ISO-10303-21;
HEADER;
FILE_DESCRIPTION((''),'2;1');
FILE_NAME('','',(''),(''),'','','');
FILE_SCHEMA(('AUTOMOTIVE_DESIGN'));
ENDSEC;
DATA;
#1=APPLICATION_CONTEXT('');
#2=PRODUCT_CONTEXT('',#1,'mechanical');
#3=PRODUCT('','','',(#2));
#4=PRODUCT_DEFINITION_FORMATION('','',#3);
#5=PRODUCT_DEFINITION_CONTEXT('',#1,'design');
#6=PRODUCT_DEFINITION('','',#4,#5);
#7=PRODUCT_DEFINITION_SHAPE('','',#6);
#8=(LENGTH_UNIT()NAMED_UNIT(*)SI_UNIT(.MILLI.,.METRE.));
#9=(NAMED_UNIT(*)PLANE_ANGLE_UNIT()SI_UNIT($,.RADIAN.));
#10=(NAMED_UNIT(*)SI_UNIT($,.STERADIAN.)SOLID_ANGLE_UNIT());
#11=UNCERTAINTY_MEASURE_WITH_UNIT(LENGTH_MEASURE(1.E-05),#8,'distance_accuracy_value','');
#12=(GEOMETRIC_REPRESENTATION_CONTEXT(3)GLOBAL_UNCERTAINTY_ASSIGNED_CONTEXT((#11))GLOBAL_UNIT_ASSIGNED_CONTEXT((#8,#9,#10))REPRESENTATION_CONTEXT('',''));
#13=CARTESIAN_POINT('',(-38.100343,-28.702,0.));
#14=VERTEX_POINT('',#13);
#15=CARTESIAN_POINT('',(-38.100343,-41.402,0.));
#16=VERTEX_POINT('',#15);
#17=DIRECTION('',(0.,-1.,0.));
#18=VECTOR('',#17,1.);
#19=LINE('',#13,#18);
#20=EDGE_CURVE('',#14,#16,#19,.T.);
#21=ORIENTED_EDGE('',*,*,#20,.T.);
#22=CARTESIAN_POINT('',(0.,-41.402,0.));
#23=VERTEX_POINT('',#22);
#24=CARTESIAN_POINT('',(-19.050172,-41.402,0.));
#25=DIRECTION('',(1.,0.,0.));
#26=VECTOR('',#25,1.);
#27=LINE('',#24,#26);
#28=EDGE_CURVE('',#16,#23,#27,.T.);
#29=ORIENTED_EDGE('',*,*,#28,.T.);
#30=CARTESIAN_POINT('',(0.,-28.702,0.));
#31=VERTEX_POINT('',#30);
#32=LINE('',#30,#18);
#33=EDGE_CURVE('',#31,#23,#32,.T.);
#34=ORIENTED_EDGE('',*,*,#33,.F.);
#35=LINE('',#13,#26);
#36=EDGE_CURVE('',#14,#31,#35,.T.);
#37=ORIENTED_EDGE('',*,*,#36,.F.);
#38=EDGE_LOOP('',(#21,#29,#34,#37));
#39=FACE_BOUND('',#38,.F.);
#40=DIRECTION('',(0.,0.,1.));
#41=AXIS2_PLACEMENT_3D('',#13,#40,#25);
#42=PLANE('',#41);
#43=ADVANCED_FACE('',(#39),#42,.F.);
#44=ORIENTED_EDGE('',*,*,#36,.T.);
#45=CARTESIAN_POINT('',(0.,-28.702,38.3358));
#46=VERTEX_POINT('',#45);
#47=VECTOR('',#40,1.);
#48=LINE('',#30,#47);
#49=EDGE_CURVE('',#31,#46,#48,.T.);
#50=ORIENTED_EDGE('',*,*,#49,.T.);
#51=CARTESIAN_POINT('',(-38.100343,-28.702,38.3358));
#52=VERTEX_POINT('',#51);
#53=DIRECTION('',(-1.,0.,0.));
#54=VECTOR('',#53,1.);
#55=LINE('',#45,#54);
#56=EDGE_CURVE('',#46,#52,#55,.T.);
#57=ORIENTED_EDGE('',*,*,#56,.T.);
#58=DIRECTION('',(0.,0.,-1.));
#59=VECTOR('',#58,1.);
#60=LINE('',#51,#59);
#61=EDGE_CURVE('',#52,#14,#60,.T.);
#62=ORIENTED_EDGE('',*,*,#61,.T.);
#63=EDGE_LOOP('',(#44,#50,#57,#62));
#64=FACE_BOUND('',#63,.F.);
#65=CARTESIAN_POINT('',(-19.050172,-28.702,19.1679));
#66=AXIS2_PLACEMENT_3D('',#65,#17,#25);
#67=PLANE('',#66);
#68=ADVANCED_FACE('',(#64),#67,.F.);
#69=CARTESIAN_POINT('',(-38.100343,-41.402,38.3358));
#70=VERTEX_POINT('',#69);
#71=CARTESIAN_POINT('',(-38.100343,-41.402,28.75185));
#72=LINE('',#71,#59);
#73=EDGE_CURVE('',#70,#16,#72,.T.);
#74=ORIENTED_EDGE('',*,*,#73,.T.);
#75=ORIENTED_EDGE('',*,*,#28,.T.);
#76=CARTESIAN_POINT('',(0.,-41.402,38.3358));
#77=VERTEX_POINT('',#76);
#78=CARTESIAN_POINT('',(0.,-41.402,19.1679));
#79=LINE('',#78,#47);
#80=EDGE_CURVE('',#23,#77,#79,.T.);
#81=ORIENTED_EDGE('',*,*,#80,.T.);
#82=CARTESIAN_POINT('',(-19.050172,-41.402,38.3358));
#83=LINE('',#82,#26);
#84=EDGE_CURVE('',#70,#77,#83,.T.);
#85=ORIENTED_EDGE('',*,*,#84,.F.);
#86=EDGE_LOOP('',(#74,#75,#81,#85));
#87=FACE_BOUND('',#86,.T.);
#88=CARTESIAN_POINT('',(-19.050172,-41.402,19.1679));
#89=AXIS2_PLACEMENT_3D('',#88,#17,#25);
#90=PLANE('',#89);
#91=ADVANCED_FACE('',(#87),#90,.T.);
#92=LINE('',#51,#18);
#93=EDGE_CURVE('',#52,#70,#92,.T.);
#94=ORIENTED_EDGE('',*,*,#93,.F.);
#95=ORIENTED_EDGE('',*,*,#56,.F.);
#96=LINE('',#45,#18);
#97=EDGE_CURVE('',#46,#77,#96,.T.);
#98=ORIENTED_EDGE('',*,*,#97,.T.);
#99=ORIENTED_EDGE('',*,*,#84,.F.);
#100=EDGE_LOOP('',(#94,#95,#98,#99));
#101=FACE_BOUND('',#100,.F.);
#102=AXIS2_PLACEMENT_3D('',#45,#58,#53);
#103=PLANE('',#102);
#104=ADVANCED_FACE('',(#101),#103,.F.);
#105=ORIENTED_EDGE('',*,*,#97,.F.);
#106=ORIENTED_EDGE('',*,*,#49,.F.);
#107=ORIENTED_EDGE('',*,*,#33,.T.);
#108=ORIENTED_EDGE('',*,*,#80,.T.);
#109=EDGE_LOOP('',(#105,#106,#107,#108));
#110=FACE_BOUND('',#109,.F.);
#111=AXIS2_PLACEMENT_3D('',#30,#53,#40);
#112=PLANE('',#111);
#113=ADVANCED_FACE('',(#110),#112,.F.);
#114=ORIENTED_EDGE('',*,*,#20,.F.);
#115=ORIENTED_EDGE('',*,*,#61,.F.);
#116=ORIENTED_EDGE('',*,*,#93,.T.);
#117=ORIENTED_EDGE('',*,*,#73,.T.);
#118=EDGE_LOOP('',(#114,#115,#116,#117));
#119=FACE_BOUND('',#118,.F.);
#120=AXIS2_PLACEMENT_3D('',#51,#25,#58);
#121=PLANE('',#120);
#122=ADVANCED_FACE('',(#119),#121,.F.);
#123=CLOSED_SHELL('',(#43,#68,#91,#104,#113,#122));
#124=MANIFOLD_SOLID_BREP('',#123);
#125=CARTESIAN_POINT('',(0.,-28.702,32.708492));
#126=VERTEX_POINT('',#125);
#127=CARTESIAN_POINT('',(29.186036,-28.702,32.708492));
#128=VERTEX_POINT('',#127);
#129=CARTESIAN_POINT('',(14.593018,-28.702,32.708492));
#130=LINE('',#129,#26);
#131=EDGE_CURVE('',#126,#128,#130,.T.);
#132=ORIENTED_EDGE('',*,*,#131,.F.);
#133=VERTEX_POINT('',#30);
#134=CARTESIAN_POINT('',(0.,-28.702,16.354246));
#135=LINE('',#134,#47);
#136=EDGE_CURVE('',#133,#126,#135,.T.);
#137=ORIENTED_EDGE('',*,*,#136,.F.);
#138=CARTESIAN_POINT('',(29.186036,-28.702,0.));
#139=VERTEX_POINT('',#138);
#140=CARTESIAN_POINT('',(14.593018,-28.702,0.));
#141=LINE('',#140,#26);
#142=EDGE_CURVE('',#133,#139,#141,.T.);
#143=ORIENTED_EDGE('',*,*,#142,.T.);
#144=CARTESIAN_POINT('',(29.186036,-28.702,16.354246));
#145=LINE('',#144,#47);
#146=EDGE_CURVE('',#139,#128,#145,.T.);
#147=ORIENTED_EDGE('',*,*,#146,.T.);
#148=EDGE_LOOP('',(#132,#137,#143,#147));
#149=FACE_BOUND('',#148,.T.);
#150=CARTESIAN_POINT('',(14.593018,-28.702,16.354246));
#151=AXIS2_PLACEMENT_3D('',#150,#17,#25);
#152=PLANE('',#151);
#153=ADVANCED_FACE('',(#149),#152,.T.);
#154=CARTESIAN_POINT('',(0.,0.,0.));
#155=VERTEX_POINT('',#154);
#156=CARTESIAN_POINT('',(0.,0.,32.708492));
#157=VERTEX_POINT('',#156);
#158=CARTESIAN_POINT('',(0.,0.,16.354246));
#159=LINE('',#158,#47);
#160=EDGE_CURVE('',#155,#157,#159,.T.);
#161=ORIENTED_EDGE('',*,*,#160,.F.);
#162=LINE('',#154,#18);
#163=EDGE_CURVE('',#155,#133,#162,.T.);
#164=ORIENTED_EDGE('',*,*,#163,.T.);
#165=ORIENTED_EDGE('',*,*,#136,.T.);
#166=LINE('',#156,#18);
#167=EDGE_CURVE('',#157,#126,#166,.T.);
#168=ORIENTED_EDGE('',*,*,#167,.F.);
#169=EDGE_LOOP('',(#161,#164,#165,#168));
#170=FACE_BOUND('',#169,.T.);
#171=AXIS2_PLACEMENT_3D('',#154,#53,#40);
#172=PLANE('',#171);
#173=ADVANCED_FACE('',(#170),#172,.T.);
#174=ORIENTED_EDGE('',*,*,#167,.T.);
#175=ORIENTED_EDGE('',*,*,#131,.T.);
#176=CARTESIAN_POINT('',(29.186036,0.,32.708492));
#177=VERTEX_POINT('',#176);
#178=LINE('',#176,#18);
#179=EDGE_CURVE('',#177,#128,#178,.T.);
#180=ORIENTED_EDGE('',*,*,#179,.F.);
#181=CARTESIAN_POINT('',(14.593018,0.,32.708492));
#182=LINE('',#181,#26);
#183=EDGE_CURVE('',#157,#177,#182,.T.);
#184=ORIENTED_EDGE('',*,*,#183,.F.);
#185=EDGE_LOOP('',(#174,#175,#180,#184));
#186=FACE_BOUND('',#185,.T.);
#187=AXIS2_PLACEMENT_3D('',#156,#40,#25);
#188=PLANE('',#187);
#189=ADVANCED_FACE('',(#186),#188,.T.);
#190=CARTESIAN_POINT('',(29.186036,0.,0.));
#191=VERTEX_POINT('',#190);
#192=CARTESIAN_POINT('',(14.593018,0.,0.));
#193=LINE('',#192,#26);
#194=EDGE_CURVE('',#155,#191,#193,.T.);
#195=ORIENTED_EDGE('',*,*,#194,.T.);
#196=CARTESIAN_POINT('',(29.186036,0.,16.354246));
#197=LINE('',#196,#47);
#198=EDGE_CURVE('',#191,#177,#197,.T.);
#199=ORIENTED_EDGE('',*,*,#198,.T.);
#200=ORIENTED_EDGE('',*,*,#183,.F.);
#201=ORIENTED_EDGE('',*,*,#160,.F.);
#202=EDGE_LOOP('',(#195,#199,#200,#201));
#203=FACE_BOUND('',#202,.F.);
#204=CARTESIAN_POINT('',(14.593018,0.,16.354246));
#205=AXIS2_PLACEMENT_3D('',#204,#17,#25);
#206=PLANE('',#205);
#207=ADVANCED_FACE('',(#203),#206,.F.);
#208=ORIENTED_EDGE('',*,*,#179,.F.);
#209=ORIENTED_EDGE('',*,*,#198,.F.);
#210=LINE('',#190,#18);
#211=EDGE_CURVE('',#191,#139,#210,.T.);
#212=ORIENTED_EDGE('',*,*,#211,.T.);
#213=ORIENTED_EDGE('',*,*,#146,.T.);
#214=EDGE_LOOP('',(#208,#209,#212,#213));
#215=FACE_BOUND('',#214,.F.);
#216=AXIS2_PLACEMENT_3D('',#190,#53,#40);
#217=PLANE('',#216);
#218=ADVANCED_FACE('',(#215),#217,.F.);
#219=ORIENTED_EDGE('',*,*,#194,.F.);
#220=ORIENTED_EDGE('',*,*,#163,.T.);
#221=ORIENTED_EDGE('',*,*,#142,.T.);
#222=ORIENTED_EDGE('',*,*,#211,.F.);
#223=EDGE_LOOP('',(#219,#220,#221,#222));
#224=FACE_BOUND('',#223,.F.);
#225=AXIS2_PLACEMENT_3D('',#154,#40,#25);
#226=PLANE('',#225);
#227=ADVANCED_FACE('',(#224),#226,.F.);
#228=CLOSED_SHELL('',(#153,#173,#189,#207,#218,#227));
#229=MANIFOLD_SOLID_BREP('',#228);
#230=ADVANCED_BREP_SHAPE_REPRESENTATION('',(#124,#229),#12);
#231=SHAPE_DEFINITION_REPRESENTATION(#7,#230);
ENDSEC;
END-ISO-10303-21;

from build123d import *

# Parameters (mm, degrees)
F0_W      = 29.186036
F0_H      = 32.708492
F1_DEPTH  = 28.702
F3_DEPTH  = 25.4
F3_FACE_W = 38.100344
F3_FACE_H = 38.3358
F4_DEPTH  = 12.7


with BuildPart() as f1:
    # F0 (on Front) → F1 (new body)
    with BuildSketch(Plane.XZ):
        with Locations((14.593018, 16.354246)):
            Rectangle(F0_W, F0_H)
    extrude(amount=F1_DEPTH)


with BuildPart() as f3:
    # F2 (on face) → F3 (new body)
    with BuildSketch(Plane.XZ.offset(28.702)):
        Polygon((-38.100343, 0), (0, 0), (0, 32.708492), (0, 38.3358), (-38.100343, 38.3358), align=None)
    extrude(amount=F3_DEPTH)

    # F3_face (on face) → F4 (cut)
    with BuildSketch(Plane(origin=(-19.050172, -54.102, 19.1679), x_dir=(1, 0, 0), z_dir=(0, -1, 0))):
        Rectangle(F3_FACE_W, F3_FACE_H)
    extrude(amount=-F4_DEPTH, mode=Mode.SUBTRACT)


solid = Compound([f1.part, f3.part])
